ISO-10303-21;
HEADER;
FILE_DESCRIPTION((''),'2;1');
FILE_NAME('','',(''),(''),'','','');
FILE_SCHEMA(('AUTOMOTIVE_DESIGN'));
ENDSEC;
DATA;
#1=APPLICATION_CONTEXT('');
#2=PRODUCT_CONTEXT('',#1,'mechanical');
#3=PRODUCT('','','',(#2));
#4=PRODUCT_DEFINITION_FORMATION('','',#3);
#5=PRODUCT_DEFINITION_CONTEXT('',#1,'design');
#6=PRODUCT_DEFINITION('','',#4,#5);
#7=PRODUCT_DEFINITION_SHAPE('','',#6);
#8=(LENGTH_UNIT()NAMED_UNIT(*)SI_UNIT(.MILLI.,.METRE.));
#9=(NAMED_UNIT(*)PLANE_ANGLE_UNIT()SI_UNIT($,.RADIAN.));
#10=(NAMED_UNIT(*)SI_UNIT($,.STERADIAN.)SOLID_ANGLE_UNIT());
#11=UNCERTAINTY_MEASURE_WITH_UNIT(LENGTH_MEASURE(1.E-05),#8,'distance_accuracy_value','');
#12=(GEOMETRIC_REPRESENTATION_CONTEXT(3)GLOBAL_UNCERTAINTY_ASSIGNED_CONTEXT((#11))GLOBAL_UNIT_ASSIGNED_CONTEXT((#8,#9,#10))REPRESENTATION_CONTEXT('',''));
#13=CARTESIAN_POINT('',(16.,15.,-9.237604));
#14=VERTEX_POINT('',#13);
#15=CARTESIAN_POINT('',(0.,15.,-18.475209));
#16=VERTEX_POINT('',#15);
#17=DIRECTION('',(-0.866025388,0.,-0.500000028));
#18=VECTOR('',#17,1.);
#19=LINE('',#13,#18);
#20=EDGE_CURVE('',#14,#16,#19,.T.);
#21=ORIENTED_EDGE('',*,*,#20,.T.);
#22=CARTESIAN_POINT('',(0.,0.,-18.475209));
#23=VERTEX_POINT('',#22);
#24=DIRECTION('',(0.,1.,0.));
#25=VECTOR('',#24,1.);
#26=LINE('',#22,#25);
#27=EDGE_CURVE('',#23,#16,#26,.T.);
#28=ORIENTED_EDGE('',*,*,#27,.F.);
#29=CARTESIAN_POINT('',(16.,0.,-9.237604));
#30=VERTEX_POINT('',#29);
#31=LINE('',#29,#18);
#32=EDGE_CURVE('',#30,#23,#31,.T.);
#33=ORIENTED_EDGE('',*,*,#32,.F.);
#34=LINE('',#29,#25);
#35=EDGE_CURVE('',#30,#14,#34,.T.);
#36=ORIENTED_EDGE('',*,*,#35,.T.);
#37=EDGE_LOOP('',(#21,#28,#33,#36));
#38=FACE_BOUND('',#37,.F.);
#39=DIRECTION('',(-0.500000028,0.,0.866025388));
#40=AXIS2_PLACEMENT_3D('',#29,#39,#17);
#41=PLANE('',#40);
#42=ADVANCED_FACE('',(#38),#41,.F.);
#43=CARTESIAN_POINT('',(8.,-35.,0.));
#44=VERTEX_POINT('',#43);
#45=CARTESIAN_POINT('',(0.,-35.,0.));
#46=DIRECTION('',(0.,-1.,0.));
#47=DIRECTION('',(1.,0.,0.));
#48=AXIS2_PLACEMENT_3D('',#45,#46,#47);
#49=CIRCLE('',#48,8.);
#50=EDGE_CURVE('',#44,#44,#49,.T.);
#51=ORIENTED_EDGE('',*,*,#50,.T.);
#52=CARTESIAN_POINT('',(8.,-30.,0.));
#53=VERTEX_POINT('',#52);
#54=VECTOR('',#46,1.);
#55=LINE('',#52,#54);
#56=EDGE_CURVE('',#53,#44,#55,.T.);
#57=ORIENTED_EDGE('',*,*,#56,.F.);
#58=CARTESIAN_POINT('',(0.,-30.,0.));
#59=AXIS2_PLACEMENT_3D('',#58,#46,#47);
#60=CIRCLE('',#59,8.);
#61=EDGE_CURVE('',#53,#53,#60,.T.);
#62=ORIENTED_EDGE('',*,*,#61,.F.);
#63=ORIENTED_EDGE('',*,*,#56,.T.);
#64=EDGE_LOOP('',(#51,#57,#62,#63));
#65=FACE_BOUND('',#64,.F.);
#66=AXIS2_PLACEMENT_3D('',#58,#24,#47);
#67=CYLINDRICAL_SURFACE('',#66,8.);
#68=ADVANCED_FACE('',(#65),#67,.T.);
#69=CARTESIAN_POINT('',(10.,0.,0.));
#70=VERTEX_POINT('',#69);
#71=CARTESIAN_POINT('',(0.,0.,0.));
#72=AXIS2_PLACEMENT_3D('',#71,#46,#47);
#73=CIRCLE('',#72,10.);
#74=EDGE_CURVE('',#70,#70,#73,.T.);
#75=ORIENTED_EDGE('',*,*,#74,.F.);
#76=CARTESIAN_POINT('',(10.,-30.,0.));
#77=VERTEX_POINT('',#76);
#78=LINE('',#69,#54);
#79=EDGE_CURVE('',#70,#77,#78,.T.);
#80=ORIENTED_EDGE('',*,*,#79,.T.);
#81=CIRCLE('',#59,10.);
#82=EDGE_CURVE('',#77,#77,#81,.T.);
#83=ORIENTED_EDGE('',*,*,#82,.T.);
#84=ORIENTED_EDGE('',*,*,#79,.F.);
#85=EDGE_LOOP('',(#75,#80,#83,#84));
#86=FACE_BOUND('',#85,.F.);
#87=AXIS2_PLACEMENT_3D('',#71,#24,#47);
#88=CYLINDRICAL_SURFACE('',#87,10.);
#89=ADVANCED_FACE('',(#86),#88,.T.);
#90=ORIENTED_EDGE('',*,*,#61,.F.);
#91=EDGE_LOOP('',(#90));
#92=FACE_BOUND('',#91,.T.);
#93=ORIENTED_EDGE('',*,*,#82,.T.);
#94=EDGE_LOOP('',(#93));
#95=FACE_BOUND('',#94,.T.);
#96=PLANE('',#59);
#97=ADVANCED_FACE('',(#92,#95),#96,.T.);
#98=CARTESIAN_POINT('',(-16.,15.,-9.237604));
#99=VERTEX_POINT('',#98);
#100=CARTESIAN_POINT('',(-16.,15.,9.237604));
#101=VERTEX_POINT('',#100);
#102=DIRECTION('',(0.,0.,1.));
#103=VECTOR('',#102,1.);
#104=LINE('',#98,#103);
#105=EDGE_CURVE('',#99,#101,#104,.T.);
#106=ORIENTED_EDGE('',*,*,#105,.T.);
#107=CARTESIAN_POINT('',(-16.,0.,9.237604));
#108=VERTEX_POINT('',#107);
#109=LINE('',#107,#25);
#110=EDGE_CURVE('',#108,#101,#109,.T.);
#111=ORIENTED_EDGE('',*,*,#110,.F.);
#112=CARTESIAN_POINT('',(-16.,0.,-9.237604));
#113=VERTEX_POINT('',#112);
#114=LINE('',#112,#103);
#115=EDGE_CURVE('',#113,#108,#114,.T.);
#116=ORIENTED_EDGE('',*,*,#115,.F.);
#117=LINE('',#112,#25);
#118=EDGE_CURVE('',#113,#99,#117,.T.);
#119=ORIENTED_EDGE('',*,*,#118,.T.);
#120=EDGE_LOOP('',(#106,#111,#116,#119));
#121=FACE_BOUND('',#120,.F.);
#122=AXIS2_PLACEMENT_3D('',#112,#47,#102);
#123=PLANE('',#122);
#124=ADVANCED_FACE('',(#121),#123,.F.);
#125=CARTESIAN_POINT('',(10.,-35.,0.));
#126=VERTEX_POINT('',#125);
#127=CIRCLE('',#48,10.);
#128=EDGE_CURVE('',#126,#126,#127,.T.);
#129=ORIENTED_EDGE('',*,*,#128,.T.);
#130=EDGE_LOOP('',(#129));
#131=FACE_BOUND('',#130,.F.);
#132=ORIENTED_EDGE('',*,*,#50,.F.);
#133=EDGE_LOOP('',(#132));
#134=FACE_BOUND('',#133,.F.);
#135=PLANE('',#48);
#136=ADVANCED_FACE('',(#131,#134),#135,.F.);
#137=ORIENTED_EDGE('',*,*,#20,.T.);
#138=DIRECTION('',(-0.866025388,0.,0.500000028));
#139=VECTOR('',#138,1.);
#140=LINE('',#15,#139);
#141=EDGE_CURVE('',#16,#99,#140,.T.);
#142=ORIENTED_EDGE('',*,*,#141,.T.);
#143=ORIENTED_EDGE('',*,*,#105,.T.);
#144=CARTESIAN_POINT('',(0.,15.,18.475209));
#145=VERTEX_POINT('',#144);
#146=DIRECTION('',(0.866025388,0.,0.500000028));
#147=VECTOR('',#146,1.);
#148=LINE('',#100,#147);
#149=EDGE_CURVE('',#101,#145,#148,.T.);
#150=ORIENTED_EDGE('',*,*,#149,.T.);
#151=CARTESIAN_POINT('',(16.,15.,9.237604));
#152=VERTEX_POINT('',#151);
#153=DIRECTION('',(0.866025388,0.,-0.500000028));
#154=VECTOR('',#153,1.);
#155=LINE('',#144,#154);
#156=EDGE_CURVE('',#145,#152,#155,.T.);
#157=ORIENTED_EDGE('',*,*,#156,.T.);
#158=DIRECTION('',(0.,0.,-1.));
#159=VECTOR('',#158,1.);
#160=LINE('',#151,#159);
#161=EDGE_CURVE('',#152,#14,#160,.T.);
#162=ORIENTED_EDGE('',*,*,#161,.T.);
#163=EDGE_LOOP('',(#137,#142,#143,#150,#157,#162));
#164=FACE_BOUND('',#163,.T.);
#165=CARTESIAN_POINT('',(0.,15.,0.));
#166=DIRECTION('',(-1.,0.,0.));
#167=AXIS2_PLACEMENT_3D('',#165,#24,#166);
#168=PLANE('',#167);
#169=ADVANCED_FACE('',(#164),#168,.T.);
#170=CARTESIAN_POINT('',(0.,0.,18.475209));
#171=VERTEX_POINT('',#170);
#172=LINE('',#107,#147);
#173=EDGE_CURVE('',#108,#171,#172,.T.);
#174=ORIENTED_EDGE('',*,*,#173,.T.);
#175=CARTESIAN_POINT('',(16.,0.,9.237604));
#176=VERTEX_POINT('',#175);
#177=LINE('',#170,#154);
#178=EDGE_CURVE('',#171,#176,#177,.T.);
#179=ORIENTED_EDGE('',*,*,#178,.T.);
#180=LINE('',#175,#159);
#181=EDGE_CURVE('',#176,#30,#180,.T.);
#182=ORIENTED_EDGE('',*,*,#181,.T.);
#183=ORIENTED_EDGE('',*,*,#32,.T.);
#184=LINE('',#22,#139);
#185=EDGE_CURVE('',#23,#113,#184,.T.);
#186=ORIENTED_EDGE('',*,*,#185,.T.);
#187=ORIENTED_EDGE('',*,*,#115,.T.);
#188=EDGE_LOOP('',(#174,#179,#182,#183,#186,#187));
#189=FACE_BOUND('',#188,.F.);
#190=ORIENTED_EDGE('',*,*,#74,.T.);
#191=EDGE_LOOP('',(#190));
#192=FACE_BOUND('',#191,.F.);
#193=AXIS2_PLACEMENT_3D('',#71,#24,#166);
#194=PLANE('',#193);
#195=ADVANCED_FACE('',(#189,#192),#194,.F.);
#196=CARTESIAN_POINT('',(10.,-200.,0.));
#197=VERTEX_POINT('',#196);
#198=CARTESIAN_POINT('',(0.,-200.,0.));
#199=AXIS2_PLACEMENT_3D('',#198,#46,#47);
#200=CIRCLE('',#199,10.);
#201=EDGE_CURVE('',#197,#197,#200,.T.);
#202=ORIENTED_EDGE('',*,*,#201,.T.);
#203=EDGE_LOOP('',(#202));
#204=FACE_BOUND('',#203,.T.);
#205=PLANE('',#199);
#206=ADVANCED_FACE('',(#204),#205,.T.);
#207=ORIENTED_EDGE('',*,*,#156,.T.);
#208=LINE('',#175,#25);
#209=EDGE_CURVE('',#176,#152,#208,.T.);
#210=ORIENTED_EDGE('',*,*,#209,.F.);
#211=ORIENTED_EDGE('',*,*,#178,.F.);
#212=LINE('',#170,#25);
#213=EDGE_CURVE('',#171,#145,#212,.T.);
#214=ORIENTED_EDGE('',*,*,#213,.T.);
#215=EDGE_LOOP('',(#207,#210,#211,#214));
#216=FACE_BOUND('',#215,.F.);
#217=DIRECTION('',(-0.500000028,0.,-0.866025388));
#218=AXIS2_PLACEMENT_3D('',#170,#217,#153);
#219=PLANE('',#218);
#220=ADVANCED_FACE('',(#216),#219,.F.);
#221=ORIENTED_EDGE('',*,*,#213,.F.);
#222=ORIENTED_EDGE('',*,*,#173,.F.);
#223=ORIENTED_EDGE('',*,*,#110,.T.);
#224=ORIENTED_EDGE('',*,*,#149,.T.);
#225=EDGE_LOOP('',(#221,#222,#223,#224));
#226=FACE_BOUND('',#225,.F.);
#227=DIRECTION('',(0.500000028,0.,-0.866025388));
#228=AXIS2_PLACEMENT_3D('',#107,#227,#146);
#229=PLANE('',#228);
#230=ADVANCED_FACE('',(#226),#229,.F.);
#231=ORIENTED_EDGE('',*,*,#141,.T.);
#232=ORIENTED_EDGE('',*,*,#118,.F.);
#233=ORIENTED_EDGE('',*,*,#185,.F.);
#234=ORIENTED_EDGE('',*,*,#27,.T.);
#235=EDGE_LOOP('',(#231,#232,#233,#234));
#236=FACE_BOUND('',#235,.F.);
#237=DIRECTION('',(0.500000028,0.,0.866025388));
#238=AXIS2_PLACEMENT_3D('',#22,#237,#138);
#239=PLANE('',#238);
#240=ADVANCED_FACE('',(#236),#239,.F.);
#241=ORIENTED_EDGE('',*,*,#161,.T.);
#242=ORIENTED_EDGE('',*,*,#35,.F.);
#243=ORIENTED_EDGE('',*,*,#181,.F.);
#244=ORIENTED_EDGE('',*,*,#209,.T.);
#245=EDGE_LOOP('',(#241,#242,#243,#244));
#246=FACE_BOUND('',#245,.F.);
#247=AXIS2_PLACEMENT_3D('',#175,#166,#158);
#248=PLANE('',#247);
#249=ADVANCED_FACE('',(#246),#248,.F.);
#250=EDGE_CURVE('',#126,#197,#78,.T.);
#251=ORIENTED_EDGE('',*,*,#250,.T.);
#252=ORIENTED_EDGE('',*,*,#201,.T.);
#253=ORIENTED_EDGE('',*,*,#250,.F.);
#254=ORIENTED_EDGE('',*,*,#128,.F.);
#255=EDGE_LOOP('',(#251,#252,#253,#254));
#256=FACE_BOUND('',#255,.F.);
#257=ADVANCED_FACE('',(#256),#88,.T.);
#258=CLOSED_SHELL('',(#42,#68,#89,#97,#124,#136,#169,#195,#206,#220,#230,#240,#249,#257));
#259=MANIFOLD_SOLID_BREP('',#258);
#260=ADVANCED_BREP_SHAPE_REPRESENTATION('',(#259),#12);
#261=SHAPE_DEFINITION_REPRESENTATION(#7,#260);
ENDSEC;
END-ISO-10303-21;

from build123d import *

# Parameters (mm, degrees)
F0_R     = 10
F1_DEPTH = 200
F3_R     = 10
F3_R_2   = 8
F4_DEPTH = 5
F6_DEPTH = 15


with BuildPart() as f1:
    # F0 (on Front) → F1 (new body)
    with BuildSketch(Plane.XZ):
        Circle(F0_R)
    extrude(amount=F1_DEPTH)

    # F3 (on offset) → F4 (cut)
    with BuildSketch(Plane.XZ.offset(30)):
        Circle(F3_R)
        Circle(F3_R_2, mode=Mode.SUBTRACT)
    extrude(amount=F4_DEPTH, mode=Mode.SUBTRACT)

    # F5 (on face) → F6 (join)
    with BuildSketch(Plane(origin=(0, 0, 0), x_dir=(-1, 0, 0), z_dir=(0, 1, 0))):
        Polygon((16, -9.237604), (16, 9.237604), (0, 18.475209), (-16, 9.237604), (-16, -9.237604), (0, -18.475209), align=None)
    extrude(amount=F6_DEPTH)


solid = f1.part
